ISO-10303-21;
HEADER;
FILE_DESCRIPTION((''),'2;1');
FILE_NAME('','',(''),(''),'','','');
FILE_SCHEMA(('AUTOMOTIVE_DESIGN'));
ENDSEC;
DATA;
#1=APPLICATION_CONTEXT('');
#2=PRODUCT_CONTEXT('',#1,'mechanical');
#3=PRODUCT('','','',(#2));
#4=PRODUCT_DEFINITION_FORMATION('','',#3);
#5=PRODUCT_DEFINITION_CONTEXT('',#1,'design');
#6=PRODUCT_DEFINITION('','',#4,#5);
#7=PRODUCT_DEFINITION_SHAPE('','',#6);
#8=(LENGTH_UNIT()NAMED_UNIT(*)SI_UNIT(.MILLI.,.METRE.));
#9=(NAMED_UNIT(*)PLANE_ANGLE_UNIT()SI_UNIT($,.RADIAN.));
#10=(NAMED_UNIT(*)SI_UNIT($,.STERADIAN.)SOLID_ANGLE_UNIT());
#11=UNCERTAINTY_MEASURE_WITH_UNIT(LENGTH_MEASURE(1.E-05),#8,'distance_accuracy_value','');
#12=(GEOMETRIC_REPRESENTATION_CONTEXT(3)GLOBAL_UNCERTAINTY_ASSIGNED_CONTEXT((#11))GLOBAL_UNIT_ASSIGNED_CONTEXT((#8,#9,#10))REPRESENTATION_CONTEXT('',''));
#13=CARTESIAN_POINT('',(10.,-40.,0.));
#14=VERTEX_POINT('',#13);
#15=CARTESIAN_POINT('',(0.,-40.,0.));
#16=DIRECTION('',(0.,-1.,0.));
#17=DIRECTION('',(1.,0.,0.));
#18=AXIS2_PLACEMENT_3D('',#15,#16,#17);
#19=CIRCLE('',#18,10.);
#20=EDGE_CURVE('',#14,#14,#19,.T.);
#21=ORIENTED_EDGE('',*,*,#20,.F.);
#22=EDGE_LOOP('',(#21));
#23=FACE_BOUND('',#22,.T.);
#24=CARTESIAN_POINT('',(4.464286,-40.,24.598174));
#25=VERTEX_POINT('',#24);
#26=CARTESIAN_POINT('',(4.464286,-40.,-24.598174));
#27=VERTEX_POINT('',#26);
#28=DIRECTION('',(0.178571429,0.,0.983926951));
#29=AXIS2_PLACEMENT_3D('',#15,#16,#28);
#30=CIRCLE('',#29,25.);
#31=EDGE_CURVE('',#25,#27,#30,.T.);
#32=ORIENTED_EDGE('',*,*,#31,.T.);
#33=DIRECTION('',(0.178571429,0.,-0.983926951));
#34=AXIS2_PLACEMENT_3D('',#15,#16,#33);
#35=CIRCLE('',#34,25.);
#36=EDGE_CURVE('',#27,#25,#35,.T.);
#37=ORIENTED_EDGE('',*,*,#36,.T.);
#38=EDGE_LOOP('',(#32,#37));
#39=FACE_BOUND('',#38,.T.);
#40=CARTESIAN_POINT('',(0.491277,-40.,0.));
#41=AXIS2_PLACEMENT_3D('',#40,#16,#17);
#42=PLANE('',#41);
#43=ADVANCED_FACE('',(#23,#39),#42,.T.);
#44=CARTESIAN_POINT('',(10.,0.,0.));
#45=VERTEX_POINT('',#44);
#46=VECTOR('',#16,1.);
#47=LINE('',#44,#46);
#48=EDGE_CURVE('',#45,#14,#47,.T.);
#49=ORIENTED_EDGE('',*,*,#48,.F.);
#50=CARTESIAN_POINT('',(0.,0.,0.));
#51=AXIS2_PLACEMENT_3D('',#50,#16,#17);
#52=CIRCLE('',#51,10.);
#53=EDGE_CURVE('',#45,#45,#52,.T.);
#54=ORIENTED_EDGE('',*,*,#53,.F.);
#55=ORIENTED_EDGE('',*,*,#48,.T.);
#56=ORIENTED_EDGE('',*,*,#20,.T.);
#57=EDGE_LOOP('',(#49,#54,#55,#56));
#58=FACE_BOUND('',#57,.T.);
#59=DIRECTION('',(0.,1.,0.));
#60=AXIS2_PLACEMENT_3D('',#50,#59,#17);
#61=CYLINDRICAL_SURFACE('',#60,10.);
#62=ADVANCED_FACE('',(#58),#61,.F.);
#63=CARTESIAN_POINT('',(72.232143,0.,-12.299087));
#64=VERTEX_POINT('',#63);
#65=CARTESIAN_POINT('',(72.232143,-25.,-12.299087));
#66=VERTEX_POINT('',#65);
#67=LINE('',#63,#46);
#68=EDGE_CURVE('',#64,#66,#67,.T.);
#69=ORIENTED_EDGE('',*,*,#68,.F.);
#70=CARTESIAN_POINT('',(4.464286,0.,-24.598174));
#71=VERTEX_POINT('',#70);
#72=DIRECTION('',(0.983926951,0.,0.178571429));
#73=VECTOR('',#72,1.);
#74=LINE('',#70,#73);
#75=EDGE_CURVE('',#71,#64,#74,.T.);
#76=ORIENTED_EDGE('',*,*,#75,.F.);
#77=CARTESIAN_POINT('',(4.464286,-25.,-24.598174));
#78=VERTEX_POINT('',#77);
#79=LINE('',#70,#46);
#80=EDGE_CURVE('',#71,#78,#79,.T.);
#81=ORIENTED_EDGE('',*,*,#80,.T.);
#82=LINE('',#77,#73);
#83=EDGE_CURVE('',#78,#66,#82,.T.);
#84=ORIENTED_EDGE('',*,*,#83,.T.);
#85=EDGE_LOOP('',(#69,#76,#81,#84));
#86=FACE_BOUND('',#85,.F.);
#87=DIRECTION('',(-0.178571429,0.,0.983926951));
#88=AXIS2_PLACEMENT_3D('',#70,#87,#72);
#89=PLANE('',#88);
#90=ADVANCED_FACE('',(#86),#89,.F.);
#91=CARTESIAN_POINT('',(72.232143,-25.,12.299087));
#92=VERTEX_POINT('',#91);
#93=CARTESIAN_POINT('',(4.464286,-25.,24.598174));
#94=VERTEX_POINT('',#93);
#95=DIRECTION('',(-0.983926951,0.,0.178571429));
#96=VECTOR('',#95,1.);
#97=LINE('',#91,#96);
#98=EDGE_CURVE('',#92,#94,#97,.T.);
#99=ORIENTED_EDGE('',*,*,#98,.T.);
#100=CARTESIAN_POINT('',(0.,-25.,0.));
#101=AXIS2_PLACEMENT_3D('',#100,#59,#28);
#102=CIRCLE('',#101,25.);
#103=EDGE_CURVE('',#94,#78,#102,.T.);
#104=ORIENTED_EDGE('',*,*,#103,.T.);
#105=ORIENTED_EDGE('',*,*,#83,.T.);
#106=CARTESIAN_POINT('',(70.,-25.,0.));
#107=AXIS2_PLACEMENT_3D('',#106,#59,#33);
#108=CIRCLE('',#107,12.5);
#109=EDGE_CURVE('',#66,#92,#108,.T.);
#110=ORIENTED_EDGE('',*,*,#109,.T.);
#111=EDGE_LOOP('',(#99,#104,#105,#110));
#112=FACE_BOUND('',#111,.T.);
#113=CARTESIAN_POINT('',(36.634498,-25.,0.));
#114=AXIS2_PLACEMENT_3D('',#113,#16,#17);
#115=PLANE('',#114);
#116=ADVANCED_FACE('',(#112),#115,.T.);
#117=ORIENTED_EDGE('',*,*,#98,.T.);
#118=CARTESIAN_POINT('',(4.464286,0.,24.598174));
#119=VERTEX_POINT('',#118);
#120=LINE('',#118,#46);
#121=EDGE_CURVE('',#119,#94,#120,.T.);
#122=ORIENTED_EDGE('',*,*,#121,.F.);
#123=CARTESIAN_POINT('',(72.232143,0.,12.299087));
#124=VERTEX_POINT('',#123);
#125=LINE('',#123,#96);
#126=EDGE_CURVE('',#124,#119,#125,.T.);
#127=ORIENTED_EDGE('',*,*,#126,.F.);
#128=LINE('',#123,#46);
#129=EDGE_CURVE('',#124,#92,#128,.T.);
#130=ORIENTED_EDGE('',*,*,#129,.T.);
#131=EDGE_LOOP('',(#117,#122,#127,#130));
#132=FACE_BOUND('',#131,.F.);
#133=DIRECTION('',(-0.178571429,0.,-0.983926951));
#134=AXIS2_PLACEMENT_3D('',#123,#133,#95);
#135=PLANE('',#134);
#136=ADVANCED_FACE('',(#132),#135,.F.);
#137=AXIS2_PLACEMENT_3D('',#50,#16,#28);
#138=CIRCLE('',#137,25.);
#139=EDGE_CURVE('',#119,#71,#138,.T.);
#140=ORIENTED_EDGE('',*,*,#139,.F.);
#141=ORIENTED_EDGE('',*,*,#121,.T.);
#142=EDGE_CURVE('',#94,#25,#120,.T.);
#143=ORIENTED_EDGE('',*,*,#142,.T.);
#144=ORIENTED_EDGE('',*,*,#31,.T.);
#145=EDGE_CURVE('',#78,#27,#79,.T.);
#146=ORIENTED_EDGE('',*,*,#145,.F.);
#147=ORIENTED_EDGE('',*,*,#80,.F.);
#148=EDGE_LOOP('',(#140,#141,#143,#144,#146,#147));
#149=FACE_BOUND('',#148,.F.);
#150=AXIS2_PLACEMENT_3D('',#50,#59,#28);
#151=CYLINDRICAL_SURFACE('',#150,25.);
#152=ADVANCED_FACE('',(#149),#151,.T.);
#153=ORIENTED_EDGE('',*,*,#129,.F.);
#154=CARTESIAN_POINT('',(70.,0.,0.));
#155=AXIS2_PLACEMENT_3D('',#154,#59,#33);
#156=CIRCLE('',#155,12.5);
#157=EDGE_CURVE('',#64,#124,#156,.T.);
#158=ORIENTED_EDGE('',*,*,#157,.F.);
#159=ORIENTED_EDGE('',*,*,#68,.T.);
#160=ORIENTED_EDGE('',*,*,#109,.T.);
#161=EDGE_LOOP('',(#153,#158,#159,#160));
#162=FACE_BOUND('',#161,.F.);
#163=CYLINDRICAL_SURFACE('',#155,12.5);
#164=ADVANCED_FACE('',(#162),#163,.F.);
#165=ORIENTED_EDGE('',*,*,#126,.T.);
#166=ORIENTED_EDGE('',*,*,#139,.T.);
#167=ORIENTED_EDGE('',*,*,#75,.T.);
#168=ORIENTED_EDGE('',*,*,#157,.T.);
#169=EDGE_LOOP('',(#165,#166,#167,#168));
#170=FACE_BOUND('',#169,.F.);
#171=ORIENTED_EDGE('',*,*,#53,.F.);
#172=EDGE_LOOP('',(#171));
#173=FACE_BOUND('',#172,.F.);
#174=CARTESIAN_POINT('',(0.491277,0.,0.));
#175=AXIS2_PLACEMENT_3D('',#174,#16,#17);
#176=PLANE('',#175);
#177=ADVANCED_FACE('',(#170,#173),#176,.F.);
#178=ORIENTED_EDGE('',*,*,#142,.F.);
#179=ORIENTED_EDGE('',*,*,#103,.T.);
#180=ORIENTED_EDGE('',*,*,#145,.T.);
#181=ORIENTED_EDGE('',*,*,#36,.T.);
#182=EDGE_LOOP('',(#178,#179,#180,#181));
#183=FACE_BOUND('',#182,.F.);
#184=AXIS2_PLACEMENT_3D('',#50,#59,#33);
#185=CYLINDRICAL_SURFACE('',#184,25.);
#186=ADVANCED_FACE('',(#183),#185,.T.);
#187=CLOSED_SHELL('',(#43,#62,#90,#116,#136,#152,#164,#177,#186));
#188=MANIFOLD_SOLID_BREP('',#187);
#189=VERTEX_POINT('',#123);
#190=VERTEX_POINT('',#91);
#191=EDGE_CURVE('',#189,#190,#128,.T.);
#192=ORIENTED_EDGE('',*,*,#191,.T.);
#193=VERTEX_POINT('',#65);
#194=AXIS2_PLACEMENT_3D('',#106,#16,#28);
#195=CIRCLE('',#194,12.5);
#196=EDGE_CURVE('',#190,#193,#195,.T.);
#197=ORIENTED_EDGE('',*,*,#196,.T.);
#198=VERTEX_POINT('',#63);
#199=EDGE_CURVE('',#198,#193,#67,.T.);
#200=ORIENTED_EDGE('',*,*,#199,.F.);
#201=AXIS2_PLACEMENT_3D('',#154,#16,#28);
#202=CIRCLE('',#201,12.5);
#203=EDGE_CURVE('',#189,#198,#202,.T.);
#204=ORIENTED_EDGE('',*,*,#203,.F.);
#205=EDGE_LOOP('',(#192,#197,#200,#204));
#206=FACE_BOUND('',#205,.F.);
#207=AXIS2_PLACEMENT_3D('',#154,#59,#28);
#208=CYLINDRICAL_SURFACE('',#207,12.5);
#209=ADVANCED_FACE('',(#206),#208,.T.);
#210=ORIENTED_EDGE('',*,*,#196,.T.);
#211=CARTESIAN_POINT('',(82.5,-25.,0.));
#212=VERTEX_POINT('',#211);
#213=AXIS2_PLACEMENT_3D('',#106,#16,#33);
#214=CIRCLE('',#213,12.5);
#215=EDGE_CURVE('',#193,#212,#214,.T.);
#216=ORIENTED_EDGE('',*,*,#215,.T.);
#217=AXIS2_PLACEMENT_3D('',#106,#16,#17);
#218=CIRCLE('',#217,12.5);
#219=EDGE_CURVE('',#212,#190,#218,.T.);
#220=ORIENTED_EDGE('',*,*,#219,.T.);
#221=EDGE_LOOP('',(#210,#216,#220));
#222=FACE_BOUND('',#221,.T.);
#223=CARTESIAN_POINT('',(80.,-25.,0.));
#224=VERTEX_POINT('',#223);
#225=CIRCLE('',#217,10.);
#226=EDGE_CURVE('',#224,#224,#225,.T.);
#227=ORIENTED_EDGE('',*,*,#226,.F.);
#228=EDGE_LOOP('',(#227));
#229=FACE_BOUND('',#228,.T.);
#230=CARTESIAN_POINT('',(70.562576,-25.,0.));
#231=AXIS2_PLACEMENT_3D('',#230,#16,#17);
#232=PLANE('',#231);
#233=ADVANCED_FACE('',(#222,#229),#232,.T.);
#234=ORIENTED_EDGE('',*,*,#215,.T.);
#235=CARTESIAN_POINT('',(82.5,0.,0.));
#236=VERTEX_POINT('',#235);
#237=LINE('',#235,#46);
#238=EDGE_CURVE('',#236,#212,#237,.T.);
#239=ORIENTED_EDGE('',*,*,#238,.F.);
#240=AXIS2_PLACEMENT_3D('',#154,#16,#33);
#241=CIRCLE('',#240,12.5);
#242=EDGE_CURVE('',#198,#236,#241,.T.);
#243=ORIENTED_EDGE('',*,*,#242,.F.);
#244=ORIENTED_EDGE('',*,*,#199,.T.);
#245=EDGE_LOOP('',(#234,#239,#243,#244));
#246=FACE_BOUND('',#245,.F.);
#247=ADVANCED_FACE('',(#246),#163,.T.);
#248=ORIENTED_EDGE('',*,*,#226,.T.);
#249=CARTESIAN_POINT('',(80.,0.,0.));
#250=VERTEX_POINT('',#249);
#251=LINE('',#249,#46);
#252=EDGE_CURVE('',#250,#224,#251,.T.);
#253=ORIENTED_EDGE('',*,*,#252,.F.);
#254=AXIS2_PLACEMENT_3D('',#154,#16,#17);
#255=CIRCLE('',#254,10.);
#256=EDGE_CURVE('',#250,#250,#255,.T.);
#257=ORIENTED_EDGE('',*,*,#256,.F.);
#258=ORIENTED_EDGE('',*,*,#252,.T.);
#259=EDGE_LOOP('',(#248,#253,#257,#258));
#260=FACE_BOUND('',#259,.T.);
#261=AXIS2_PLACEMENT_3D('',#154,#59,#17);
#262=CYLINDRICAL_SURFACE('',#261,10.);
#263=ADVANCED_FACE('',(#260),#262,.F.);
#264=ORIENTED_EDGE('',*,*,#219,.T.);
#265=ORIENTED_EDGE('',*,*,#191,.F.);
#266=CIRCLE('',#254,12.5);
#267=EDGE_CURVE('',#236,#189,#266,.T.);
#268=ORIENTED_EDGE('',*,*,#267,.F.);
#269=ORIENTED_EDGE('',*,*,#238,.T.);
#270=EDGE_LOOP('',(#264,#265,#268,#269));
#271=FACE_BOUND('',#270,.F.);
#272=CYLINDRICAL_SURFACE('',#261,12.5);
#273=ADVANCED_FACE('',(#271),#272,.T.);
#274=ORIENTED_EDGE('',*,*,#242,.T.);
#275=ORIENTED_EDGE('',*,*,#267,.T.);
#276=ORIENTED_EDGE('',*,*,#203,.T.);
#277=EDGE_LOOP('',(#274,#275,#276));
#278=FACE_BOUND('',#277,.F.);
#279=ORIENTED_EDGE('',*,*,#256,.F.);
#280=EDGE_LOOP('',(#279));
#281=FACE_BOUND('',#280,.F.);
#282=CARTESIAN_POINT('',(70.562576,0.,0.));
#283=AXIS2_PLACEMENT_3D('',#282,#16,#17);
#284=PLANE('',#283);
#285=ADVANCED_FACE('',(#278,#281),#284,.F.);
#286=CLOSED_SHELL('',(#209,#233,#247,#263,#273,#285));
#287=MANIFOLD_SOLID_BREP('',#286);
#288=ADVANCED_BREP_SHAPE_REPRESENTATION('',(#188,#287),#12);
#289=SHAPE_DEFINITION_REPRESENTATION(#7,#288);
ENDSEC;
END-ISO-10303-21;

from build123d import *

# Parameters (mm, degrees)
F0_R     = 10
F2_DEPTH = 25
F3_DEPTH = 40


with BuildPart() as f2:
    # F0 (on Front) → F2 (new body)
    with BuildSketch(Plane.XZ):
        with BuildLine():
            ThreePointArc((82.5, 0), (79.5956184197, 8.0108743058), (72.2321428571, 12.2990868875))
            ThreePointArc((72.2321428571, 12.2990868875), (57.5, 0), (72.2321428571, -12.2990868875))
            ThreePointArc((72.2321428571, -12.2990868875), (79.5956184197, -8.0108743058), (82.5, 0))
        make_face()
        with Locations((70, 0)):
            Circle(F0_R, mode=Mode.SUBTRACT)
    extrude(amount=F2_DEPTH)


with BuildPart() as f2b:
    # F1 (on face) → F2, piece 2 (new body)
    with BuildSketch(Plane.XZ):
        with BuildLine():
            Line((72.2321428571, 12.2990868875), (4.4642857143, 24.5981737749))
            ThreePointArc((4.4642857143, 24.5981737749), (19.1912368395, 16.0217486115), (25, 0))
            ThreePointArc((25, 0), (19.1912368395, -16.0217486115), (4.4642857143, -24.5981737749))
            Line((4.4642857143, -24.5981737749), (72.2321428571, -12.2990868875))
            ThreePointArc((72.2321428571, -12.2990868875), (57.5, 0), (72.2321428571, 12.2990868875))
        make_face()
    extrude(amount=F2_DEPTH)

    # F0 (on Front) → F3 (join)
    with BuildSketch(Plane.XZ):
        with BuildLine():
            ThreePointArc((4.4642857143, -24.5981737749), (19.1912368395, -16.0217486115), (25, 0))
            ThreePointArc((25, 0), (19.1912368395, 16.0217486115), (4.4642857143, 24.5981737749))
            ThreePointArc((4.4642857143, 24.5981737749), (-25, 0), (4.4642857143, -24.5981737749))
        make_face()
        Circle(F0_R, mode=Mode.SUBTRACT)
    extrude(amount=F3_DEPTH)


solid = Compound([f2.part, f2b.part])
